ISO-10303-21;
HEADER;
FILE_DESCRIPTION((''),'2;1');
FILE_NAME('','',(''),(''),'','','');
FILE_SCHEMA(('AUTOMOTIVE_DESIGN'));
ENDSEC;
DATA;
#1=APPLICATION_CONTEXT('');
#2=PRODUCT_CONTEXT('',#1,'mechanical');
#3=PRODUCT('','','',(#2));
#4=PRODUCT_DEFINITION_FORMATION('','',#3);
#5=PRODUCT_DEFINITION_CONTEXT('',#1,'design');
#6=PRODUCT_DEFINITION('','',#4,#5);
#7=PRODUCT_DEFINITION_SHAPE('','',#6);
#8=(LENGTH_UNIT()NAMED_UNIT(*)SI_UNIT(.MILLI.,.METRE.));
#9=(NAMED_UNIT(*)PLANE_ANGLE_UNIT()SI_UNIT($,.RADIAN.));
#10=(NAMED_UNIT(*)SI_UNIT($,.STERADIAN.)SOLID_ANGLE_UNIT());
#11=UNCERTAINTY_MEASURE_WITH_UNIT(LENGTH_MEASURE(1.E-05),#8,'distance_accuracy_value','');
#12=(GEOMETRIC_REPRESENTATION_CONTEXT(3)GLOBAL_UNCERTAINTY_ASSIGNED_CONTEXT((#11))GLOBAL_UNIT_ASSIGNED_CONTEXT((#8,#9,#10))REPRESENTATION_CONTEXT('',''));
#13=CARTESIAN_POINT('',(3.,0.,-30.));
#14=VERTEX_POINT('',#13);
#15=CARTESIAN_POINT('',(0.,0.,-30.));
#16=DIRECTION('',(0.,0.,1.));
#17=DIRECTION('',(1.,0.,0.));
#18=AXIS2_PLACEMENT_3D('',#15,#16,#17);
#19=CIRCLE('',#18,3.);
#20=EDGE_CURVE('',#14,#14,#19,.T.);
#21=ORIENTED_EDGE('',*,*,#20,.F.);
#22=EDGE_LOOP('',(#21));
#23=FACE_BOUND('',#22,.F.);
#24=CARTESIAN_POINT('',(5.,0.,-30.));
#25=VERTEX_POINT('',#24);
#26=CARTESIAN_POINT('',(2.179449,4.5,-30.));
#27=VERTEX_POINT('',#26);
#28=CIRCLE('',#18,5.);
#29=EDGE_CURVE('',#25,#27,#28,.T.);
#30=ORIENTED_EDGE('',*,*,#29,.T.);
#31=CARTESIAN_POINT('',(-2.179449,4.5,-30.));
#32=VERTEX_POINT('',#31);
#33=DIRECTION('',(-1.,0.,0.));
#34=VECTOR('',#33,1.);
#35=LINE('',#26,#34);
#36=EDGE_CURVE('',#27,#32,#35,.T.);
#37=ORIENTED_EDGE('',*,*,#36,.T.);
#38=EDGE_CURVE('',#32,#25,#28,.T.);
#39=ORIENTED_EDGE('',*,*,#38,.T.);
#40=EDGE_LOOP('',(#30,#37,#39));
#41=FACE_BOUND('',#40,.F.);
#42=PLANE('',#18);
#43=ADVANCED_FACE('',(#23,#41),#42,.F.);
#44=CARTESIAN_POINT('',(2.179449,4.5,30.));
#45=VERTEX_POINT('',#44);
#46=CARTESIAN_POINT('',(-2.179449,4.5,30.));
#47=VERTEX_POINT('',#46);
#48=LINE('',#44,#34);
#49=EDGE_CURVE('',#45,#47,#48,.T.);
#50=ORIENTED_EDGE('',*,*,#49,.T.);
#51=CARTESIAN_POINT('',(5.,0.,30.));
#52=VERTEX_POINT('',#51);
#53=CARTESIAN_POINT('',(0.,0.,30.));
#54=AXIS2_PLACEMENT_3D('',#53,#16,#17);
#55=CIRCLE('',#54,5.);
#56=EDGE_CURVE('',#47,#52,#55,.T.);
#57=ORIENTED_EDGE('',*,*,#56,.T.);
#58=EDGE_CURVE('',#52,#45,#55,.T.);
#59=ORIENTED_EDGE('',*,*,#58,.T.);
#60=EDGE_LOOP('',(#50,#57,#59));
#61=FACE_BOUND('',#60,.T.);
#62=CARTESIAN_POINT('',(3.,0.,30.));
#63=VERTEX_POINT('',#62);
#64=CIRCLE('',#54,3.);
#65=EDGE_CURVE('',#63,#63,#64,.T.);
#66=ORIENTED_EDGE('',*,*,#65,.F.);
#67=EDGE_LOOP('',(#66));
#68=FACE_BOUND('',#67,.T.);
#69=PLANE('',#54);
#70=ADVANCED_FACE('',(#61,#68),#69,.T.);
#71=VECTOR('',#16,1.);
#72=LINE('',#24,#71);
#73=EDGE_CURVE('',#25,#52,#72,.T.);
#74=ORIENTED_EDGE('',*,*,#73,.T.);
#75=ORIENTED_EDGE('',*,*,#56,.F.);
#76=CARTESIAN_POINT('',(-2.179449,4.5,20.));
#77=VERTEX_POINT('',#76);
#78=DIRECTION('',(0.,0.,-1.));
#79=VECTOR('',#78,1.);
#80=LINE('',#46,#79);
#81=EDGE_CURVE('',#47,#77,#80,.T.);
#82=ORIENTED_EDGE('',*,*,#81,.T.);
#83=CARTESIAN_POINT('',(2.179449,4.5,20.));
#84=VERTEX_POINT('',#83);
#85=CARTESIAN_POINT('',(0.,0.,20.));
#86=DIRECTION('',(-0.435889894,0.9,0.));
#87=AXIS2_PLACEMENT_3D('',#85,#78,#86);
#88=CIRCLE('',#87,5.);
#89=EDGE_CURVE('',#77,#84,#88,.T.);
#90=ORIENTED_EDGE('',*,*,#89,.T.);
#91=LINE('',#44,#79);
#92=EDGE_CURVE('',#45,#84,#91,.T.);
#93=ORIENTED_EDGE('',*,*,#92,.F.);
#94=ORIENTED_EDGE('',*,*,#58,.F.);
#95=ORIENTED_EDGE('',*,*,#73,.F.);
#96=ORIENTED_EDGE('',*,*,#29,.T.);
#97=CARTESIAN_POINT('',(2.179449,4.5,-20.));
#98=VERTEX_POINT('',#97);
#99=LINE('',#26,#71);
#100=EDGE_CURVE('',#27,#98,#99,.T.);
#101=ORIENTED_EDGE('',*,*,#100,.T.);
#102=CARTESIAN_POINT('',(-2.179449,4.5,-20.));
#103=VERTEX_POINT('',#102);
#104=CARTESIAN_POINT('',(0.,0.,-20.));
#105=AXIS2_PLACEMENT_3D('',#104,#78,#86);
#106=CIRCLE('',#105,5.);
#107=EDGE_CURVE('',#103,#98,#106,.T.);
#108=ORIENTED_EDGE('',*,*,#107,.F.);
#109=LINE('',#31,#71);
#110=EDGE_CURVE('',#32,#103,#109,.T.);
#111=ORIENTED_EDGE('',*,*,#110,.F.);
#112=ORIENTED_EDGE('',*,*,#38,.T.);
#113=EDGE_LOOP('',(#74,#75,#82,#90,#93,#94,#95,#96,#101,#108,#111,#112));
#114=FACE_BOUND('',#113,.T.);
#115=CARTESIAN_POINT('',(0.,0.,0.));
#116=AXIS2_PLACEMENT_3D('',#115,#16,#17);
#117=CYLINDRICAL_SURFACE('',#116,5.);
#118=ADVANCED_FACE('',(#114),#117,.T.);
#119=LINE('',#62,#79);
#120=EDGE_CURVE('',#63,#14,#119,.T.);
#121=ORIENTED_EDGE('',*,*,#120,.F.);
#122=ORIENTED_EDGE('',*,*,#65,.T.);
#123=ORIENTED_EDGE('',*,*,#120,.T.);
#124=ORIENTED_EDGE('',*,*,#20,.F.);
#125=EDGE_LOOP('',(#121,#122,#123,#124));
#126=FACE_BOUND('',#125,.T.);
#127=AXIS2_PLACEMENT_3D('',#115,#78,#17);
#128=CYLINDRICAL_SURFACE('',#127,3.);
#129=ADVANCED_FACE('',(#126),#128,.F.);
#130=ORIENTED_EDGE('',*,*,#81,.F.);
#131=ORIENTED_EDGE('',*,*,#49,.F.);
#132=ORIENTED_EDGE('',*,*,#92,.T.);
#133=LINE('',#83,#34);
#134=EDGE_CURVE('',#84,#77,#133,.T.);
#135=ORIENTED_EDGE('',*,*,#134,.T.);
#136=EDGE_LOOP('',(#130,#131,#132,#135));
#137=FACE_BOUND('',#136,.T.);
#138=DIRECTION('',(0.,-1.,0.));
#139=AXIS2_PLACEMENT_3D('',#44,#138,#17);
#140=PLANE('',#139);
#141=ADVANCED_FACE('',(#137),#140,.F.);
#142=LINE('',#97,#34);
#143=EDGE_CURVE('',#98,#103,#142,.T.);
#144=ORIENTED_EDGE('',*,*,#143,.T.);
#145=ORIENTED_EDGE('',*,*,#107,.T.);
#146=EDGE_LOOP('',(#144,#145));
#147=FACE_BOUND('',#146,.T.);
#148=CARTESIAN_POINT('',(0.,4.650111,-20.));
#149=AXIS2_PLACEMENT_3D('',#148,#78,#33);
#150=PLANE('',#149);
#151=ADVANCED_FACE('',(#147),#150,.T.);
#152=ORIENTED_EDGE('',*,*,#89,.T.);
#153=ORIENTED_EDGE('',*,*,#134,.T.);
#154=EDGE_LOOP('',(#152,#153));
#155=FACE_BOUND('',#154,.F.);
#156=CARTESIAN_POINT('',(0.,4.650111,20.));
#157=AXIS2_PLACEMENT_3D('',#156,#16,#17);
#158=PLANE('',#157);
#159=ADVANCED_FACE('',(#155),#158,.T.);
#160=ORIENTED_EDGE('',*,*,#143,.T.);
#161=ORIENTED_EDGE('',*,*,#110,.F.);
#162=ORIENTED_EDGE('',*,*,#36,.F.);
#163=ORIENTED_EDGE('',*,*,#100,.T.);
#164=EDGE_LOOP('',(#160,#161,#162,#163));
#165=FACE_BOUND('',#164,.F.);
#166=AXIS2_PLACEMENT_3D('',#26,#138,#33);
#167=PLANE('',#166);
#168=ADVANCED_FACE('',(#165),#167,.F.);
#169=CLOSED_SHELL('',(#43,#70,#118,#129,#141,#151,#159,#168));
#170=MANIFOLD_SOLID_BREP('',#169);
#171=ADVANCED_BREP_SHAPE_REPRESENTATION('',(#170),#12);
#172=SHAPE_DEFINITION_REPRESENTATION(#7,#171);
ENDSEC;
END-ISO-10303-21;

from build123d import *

# Parameters (mm, degrees)
SKETCH1_R           = 5
SKETCH1_R_2         = 3
BOSS_EXTRUDE2_DEPTH = 30
CUT_EXTRUDE9_DEPTH  = 10


with BuildPart() as part:
    # Sketch1 → Boss-Extrude2 (new body, symmetric)
    with BuildSketch(Plane.XY):
        Circle(SKETCH1_R)
        Circle(SKETCH1_R_2, mode=Mode.SUBTRACT)
    extrude(amount=BOSS_EXTRUDE2_DEPTH, both=True)

    # Sketch7 → Cut-Extrude9 (cut)
    with BuildSketch(Plane(origin=(0, 0, -30), x_dir=(-1, 0, 0), z_dir=(0, 0, -1))):
        with BuildLine():
            Line((-2.179449472, 4.5), (2.179449472, 4.5))
            ThreePointArc((2.179449472, 4.5), (0, 5), (-2.179449472, 4.5))
        make_face()
    cut_extrude9 = extrude(amount=-CUT_EXTRUDE9_DEPTH, mode=Mode.SUBTRACT)

    # Mirror2: Cut-Extrude9 across plane
    add(cut_extrude9.mirror(Plane.XY), mode=Mode.SUBTRACT)


solid = part.part
